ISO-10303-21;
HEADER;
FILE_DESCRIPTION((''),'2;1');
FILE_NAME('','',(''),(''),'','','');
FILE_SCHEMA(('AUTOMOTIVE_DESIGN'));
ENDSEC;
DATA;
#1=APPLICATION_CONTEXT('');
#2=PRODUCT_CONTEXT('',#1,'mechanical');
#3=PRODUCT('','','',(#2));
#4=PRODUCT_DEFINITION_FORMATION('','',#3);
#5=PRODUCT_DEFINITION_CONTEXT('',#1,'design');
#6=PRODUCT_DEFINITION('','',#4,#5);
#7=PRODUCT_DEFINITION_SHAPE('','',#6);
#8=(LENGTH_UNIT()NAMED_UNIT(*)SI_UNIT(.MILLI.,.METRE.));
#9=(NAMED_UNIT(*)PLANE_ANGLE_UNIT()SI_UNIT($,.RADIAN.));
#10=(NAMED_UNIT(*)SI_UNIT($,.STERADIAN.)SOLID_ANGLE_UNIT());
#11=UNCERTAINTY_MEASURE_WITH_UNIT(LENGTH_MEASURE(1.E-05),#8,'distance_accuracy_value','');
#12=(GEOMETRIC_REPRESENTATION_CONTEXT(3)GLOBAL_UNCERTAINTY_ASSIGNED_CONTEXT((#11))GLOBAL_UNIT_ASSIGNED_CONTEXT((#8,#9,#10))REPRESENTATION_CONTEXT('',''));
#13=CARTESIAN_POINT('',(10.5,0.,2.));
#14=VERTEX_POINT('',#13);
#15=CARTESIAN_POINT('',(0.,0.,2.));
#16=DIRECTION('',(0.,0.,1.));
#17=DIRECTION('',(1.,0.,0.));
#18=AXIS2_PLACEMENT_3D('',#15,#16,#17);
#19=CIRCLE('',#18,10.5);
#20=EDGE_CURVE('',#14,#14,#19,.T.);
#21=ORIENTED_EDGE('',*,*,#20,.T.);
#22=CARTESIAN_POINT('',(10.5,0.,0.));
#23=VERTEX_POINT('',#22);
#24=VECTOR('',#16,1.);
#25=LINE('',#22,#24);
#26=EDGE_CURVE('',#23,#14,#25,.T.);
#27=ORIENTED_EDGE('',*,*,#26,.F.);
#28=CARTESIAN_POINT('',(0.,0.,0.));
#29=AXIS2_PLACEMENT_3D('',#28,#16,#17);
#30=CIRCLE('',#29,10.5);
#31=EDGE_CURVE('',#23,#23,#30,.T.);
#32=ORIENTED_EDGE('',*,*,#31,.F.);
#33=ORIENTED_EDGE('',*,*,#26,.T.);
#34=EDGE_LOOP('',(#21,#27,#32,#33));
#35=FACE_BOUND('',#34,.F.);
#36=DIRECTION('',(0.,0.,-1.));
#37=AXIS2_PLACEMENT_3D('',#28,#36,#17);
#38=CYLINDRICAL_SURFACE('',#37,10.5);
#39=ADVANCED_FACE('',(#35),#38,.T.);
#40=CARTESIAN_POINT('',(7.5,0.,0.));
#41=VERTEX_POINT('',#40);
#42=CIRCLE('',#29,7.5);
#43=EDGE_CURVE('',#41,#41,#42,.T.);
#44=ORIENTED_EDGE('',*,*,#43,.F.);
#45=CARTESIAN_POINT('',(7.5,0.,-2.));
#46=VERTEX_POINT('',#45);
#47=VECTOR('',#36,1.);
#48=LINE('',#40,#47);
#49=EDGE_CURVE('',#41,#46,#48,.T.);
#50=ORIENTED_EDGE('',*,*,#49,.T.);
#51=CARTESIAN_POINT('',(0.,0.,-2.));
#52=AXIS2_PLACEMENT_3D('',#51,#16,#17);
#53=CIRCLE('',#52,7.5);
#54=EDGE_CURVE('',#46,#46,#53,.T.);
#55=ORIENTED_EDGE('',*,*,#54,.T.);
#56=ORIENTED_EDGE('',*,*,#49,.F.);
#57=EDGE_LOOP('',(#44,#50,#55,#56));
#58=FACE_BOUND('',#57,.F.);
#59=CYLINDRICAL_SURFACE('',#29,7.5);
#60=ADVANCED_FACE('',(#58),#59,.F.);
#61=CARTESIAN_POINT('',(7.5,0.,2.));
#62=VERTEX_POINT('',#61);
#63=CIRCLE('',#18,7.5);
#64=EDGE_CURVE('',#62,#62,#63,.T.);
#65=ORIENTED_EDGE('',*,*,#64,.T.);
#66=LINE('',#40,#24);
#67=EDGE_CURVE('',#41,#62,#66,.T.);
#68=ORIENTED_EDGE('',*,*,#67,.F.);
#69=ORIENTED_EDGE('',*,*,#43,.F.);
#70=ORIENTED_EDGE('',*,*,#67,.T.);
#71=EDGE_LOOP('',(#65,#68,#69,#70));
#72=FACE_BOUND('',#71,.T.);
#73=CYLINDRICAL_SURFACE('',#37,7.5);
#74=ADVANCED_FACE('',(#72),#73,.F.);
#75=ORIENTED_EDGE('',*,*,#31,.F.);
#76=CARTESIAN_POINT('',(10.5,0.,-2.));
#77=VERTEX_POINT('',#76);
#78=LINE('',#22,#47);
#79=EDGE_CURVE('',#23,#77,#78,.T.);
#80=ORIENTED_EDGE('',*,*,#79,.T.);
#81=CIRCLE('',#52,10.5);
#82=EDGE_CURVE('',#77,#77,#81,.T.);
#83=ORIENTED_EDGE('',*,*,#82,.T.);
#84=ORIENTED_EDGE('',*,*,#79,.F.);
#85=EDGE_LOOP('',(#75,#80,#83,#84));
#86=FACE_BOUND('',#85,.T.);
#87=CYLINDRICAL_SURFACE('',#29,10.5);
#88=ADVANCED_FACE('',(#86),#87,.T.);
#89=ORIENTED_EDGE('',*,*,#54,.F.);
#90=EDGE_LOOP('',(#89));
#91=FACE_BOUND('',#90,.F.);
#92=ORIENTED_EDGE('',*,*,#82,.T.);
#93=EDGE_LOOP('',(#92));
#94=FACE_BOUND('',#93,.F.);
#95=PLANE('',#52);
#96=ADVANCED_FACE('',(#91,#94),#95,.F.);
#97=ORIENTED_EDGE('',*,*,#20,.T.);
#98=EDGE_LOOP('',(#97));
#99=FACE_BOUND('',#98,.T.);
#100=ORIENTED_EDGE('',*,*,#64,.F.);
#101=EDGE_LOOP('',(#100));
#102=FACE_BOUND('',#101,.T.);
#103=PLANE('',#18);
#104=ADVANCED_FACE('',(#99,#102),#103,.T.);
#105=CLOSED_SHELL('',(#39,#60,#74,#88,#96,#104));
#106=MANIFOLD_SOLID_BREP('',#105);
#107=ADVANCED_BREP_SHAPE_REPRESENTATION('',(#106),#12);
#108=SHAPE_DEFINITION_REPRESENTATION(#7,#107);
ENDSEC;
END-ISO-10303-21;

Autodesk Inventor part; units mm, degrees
ref_plane "YZ Plane" through (0, 0, 0) normal (1, 0, 0) x (0, 1, 0)
ref_plane "XZ Plane" through (0, 0, 0) normal (0, 1, 0) x (-1, 0, 0)
ref_plane "XY Plane" through (0, 0, 0) normal (0, 0, 1) x (1, 0, 0)
sketch "Sketch1" plane through (0, 0, 0) normal (0, 0, 1) x (1, 0, 0)
  circle A0 centre (0, 0) radius 7.5
  circle A1 centre (0, 0) radius 10.5
  dimension "d0" = 15
  dimension "d1" = 21
extrude "Extrusion1" add sketch "Sketch1" along normal mid plane 4
properties part number "M8Bearing" material "Steel, Alloy"
